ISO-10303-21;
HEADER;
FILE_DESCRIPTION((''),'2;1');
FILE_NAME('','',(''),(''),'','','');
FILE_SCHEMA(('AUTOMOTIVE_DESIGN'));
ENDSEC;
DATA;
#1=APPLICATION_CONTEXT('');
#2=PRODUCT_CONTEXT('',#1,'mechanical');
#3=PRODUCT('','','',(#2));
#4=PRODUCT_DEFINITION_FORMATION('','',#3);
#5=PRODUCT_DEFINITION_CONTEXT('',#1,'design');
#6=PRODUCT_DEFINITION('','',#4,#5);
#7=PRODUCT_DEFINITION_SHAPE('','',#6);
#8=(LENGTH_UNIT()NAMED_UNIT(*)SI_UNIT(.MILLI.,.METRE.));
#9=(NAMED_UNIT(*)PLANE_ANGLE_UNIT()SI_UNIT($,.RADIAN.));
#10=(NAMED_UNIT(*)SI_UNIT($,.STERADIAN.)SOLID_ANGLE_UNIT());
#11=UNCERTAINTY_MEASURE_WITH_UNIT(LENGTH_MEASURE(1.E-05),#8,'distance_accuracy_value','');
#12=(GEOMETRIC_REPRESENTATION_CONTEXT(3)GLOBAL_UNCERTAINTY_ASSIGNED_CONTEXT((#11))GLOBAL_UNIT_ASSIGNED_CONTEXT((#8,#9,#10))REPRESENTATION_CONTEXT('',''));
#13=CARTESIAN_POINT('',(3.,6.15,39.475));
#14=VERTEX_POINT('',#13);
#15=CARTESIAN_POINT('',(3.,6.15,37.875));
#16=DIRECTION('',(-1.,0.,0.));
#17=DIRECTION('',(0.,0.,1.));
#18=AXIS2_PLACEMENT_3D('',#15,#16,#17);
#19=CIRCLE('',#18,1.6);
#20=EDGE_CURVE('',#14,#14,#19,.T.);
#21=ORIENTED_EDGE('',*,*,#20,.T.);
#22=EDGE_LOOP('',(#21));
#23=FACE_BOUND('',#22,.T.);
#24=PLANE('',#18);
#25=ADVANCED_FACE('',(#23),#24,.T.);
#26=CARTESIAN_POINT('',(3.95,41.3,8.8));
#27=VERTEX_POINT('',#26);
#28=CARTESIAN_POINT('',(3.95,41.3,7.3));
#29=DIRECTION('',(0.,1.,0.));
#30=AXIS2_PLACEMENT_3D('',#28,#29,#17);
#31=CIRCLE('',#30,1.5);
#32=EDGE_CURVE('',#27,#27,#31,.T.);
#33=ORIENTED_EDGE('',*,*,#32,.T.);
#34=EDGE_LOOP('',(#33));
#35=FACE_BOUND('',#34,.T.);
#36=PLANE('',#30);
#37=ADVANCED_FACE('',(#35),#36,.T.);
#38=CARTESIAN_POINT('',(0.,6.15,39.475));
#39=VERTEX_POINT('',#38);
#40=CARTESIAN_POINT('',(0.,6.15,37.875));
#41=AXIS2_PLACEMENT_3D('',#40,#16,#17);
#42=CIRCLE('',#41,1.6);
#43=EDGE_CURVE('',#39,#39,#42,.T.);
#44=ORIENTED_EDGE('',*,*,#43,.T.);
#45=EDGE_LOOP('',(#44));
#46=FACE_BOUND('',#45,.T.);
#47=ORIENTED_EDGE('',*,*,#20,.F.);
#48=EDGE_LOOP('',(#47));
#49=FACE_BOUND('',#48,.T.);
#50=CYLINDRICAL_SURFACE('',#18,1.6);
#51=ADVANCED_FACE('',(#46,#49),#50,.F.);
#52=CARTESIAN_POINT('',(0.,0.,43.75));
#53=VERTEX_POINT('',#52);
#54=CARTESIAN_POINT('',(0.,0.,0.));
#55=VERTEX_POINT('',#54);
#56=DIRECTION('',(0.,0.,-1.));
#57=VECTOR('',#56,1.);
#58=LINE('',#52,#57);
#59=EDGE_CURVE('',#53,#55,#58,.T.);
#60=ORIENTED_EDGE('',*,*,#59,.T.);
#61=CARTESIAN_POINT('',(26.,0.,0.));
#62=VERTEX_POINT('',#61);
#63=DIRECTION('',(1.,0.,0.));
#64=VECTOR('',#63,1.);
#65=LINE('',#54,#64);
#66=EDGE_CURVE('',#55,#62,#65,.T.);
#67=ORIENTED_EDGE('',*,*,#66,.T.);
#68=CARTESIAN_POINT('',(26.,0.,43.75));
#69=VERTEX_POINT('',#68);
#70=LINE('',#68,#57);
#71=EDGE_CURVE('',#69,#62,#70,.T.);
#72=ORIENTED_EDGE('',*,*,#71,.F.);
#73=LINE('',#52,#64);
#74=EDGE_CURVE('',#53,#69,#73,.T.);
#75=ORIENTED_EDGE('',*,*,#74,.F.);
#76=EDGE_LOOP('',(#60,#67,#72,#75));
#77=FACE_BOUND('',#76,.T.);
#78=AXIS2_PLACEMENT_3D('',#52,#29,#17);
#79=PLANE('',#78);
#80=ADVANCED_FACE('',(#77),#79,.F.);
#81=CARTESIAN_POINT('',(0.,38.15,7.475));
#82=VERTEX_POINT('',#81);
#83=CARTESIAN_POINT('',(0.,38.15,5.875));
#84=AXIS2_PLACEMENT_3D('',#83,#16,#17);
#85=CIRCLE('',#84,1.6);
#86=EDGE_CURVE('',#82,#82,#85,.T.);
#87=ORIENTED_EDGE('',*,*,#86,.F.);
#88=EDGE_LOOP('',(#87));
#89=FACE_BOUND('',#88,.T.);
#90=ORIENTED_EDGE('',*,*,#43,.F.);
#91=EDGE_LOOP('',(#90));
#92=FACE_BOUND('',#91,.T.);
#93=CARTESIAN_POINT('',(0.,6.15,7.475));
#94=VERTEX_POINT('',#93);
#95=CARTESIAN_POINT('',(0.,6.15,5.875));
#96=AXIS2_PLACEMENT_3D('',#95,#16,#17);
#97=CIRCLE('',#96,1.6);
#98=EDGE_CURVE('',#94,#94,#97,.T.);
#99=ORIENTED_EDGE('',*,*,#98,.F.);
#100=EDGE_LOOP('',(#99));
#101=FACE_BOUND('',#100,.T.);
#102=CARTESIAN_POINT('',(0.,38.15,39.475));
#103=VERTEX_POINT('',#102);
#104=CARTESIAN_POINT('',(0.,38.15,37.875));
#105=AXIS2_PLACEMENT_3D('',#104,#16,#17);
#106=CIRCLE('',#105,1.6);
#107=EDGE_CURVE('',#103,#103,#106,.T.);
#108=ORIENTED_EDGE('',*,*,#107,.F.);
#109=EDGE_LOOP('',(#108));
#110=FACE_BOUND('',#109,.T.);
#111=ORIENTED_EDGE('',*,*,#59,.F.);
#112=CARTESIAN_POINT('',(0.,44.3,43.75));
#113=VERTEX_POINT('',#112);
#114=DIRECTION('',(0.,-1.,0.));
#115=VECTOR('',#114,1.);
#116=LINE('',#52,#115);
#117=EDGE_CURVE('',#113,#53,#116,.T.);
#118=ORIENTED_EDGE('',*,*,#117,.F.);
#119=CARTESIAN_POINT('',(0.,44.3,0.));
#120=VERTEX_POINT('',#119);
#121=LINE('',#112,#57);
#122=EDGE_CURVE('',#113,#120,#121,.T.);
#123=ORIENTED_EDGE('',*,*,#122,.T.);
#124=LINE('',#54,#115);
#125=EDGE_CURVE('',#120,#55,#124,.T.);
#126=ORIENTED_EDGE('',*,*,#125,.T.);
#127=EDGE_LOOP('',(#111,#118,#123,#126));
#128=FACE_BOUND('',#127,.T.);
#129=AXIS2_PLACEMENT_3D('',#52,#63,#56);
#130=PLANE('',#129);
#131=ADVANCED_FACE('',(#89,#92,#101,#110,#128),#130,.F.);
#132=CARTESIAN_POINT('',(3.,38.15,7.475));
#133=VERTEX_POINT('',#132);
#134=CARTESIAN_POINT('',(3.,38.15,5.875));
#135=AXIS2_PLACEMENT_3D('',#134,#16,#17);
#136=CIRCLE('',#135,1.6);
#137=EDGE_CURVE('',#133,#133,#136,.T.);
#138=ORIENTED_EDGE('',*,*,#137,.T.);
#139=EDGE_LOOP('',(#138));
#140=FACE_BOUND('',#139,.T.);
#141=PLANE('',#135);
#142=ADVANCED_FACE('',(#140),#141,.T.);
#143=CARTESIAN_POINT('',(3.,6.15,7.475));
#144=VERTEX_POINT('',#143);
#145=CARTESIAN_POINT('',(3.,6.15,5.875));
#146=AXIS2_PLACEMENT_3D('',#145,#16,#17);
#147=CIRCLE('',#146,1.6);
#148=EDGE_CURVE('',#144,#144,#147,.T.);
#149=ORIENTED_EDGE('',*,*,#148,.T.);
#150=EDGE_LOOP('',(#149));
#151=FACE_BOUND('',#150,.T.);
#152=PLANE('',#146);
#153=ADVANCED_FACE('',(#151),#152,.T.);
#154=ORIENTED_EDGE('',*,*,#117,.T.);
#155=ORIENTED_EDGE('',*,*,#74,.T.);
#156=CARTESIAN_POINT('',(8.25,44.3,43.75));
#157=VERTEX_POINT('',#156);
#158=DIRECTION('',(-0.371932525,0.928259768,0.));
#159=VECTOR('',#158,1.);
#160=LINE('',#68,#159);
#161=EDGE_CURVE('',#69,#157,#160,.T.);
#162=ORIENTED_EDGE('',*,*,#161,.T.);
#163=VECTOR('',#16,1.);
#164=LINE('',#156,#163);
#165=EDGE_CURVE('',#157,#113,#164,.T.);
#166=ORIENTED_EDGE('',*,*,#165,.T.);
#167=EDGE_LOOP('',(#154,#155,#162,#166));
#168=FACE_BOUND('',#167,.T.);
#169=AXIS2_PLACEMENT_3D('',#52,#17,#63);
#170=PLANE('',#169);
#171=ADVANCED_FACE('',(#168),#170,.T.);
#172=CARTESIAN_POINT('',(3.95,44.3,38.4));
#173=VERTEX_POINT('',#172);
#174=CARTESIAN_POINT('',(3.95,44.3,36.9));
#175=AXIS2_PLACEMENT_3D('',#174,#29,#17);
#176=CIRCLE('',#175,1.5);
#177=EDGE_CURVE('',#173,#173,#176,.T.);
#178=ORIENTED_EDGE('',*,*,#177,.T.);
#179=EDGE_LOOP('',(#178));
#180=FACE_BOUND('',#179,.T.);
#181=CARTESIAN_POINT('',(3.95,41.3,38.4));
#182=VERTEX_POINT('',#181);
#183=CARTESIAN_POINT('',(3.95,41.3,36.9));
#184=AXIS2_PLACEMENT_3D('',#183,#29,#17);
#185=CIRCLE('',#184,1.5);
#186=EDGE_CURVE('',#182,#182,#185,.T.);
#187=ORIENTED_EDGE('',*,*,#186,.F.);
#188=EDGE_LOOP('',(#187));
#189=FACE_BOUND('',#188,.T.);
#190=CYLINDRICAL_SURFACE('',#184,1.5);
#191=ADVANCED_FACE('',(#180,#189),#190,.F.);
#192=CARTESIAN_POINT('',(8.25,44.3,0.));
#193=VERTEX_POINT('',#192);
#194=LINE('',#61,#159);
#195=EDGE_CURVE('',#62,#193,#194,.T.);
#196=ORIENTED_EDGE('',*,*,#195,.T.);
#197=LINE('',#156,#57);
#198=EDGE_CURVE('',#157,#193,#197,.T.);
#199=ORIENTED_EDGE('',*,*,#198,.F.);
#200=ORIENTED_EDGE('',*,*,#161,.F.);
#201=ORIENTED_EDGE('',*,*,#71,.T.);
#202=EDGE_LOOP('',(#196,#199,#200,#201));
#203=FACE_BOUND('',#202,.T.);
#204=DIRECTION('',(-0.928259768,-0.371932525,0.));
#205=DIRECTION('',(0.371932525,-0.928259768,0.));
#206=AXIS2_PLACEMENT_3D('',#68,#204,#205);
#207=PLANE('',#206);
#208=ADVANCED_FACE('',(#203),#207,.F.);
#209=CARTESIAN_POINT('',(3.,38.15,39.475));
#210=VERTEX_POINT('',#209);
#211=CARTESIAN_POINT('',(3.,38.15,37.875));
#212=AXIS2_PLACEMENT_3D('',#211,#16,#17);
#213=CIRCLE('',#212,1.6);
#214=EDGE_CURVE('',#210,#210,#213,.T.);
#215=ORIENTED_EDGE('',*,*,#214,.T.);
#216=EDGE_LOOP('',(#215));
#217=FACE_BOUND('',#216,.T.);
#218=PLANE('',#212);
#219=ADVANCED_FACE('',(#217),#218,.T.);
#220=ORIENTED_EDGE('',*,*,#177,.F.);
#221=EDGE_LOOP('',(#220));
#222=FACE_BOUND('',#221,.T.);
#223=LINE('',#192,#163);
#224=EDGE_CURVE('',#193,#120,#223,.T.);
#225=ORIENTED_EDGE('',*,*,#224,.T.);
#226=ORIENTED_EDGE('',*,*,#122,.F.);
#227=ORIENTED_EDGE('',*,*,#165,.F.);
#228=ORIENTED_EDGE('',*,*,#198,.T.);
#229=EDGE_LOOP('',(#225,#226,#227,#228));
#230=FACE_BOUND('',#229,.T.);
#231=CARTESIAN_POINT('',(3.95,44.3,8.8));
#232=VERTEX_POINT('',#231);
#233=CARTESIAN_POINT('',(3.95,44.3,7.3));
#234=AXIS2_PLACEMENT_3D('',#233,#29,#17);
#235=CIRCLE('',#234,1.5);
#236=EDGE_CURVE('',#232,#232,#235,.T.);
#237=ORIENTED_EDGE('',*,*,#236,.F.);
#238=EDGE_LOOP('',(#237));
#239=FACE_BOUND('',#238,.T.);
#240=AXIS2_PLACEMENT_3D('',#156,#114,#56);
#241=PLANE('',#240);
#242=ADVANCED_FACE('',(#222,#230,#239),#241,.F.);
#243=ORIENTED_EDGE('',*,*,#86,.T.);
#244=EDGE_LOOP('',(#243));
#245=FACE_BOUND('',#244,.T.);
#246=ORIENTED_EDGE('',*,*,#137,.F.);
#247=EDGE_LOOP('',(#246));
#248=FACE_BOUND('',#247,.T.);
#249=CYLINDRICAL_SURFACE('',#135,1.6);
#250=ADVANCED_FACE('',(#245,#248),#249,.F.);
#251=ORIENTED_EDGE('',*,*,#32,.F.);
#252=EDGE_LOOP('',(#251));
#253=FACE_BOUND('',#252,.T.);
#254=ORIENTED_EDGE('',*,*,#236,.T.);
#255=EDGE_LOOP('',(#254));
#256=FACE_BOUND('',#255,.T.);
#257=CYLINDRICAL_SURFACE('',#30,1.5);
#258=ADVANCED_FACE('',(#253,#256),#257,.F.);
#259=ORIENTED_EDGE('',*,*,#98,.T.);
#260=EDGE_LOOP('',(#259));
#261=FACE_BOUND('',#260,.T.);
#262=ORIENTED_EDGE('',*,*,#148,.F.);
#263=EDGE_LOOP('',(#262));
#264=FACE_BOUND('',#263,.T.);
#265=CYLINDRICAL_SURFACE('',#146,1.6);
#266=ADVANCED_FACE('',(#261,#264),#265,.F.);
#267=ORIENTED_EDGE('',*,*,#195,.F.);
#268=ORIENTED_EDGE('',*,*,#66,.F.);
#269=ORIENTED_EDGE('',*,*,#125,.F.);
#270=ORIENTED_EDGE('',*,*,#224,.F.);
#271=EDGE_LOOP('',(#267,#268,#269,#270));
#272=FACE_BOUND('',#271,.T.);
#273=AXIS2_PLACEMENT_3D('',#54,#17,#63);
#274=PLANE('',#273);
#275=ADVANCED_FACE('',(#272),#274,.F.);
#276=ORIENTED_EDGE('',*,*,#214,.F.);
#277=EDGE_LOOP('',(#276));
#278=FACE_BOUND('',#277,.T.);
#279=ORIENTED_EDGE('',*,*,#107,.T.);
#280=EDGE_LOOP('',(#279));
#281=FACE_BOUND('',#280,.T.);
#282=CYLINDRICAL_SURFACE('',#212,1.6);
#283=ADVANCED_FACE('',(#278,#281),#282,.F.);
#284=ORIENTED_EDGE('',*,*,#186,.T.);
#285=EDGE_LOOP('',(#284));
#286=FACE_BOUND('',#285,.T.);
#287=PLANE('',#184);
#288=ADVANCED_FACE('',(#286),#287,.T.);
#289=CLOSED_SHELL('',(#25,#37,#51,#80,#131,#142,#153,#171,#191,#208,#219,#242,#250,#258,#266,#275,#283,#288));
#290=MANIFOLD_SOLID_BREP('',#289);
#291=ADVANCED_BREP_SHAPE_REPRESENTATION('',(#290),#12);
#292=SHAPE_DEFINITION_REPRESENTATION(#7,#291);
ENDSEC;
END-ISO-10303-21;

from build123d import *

# Parameters (mm, degrees)
BOSS_EXTRUDE1_DEPTH = 43.75
SKETCH2_R           = 1.6
CUT_EXTRUDE1_DEPTH  = 3
SKETCH3_R           = 1.5
CUT_EXTRUDE2_DEPTH  = 3


with BuildPart() as part:
    # Sketch1 → Boss-Extrude1 (new body)
    with BuildSketch(Plane.XY):
        Polygon((0, 0), (0, 44.3), (8.25, 44.3), (26, 0), align=None)
    extrude(amount=BOSS_EXTRUDE1_DEPTH)

    # Sketch2 → Cut-Extrude1 (cut)
    with BuildSketch(Plane.ZY):
        with Locations((5.875, 38.15)):
            Circle(SKETCH2_R)
        with Locations((37.875, 38.15)):
            Circle(SKETCH2_R)
        with Locations((5.875, 6.15)):
            Circle(SKETCH2_R)
        with Locations((37.875, 6.15)):
            Circle(SKETCH2_R)
    extrude(amount=-CUT_EXTRUDE1_DEPTH, mode=Mode.SUBTRACT)

    # Sketch3 → Cut-Extrude2 (cut)
    with BuildSketch(Plane(origin=(0, 44.3, 0), x_dir=(1, 0, 0), z_dir=(0, 1, 0))):
        with Locations(Location((3.95, -7.3, 0), (0, 0, 270))):
            Circle(SKETCH3_R)
        with Locations(Location((3.95, -36.9, 0), (0, 0, 270))):
            Circle(SKETCH3_R)
    extrude(amount=-CUT_EXTRUDE2_DEPTH, mode=Mode.SUBTRACT)


solid = part.part
